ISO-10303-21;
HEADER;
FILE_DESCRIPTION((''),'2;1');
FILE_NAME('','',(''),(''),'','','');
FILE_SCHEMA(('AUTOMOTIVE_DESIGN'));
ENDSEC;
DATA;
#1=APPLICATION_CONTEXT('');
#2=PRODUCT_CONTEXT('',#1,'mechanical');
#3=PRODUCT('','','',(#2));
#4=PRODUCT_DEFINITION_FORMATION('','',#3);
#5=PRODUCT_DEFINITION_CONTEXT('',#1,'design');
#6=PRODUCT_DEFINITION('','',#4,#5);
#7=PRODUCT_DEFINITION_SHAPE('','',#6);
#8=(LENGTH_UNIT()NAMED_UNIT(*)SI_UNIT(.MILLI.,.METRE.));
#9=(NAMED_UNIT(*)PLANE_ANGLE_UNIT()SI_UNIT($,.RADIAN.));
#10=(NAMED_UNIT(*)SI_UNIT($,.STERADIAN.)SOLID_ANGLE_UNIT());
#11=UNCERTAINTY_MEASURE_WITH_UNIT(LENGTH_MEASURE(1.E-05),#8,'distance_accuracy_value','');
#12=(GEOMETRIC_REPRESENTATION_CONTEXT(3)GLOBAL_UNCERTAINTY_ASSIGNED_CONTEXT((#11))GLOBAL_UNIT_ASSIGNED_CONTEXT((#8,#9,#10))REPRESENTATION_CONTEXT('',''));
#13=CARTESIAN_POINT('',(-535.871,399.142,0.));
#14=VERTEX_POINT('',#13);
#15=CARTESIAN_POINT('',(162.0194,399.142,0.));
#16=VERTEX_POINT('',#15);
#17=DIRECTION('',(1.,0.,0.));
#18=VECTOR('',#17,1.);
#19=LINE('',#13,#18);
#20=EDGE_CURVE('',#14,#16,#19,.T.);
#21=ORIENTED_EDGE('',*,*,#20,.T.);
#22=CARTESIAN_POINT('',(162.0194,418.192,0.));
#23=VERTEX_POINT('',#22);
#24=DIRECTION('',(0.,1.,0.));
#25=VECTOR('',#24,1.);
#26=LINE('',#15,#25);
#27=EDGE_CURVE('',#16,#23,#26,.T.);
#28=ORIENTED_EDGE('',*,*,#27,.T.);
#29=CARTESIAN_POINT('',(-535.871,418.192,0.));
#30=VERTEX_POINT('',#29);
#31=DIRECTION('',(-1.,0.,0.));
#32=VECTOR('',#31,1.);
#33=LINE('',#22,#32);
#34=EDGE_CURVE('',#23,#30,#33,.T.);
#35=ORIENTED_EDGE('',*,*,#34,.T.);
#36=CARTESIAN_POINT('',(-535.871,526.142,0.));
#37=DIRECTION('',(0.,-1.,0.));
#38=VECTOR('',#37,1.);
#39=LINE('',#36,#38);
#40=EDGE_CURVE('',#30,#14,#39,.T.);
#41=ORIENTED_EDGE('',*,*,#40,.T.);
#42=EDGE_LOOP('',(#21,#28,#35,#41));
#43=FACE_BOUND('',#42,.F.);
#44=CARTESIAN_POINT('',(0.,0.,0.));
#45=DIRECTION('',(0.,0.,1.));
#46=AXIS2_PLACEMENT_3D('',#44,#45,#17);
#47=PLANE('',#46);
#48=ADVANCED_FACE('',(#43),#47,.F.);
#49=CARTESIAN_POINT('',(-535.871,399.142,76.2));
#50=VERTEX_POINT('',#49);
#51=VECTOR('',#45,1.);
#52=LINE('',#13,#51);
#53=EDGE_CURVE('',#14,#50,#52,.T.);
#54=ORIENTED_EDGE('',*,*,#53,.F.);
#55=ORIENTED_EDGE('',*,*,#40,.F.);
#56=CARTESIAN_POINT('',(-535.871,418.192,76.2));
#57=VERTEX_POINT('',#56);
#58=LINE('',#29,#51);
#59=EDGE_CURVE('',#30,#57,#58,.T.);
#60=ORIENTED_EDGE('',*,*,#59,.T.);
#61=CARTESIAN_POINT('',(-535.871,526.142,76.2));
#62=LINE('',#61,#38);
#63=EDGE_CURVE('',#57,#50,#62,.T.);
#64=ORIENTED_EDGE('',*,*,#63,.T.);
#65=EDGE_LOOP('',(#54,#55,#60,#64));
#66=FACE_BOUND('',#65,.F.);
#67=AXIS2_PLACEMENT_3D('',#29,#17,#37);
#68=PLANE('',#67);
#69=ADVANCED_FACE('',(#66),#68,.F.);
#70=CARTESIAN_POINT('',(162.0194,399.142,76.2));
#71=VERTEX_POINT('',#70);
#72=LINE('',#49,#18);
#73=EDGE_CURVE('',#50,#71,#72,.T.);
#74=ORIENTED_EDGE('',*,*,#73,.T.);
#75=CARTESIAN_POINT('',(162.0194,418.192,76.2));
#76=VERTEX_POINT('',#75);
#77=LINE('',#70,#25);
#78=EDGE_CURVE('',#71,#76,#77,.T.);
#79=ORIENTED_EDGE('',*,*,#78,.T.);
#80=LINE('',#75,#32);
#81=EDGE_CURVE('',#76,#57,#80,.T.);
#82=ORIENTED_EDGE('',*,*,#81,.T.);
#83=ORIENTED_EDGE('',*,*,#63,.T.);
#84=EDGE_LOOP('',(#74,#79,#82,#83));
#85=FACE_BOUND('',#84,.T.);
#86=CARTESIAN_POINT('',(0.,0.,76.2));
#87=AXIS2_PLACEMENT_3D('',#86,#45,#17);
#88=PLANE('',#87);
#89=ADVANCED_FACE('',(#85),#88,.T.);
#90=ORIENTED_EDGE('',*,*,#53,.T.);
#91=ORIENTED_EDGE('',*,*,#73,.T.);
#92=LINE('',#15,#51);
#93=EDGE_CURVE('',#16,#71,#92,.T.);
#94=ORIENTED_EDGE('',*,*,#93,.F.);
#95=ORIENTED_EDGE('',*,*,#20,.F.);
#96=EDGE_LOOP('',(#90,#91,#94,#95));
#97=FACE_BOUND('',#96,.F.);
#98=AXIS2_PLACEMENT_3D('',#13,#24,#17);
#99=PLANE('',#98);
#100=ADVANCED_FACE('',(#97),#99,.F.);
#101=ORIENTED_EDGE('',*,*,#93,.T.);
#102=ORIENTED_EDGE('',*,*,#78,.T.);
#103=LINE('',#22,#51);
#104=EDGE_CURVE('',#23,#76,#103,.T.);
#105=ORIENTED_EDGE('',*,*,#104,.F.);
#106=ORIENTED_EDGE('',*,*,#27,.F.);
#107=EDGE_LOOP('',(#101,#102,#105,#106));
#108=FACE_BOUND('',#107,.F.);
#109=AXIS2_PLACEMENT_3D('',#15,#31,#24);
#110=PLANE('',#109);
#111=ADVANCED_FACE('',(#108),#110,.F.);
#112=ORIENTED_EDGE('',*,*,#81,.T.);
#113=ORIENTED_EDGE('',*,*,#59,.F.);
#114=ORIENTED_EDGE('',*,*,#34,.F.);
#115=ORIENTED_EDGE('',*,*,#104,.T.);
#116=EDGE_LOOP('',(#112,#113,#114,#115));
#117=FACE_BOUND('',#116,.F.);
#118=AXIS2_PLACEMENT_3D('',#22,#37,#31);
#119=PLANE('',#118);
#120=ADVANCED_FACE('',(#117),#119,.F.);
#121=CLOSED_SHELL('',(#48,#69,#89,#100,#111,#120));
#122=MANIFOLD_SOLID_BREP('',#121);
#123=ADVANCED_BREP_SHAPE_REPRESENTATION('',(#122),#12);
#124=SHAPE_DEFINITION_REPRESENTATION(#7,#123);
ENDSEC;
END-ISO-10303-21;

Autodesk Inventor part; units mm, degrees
ref_plane "YZ Plane" through (0, 0, 0) normal (1, 0, 0) x (0, 1, 0)
ref_plane "XZ Plane" through (0, 0, 0) normal (0, 1, 0) x (-1, 0, 0)
ref_plane "XY Plane" through (0, 0, 0) normal (0, 0, 1) x (1, 0, 0)
sketch "Sketch1" plane through (0, 0, 0) normal (0, 0, 1) x (1, 0, 0)
  line L0 (-535.871, 526.142) -> (-535.871, 399.142) projected
  line L1 (-535.871, 399.142) -> (162.0194, 399.142) projected
  line L2 (162.0194, 526.142) -> (-535.871, 526.142) projected
  line L3 (-535.871, 399.142) -> (162.0194, 399.142)
  line L4 (162.0194, 399.142) -> (162.0194, 418.192)
  line L5 (162.0194, 418.192) -> (-535.871, 418.192)
  line L6 (-535.871, 418.192) -> (-535.871, 399.142)
  line L7 (162.0194, 399.142) -> (162.0194, 526.142) projected
  point P0 (0, 0)
  dimension "d0" = 19.05
  dimension "d1" = 697.8904
extrude "Extrusion1" add sketch "Sketch1" along normal blind 76.2 contours L5 L4 L1 L0
properties part number "Wheel mount bottom"
